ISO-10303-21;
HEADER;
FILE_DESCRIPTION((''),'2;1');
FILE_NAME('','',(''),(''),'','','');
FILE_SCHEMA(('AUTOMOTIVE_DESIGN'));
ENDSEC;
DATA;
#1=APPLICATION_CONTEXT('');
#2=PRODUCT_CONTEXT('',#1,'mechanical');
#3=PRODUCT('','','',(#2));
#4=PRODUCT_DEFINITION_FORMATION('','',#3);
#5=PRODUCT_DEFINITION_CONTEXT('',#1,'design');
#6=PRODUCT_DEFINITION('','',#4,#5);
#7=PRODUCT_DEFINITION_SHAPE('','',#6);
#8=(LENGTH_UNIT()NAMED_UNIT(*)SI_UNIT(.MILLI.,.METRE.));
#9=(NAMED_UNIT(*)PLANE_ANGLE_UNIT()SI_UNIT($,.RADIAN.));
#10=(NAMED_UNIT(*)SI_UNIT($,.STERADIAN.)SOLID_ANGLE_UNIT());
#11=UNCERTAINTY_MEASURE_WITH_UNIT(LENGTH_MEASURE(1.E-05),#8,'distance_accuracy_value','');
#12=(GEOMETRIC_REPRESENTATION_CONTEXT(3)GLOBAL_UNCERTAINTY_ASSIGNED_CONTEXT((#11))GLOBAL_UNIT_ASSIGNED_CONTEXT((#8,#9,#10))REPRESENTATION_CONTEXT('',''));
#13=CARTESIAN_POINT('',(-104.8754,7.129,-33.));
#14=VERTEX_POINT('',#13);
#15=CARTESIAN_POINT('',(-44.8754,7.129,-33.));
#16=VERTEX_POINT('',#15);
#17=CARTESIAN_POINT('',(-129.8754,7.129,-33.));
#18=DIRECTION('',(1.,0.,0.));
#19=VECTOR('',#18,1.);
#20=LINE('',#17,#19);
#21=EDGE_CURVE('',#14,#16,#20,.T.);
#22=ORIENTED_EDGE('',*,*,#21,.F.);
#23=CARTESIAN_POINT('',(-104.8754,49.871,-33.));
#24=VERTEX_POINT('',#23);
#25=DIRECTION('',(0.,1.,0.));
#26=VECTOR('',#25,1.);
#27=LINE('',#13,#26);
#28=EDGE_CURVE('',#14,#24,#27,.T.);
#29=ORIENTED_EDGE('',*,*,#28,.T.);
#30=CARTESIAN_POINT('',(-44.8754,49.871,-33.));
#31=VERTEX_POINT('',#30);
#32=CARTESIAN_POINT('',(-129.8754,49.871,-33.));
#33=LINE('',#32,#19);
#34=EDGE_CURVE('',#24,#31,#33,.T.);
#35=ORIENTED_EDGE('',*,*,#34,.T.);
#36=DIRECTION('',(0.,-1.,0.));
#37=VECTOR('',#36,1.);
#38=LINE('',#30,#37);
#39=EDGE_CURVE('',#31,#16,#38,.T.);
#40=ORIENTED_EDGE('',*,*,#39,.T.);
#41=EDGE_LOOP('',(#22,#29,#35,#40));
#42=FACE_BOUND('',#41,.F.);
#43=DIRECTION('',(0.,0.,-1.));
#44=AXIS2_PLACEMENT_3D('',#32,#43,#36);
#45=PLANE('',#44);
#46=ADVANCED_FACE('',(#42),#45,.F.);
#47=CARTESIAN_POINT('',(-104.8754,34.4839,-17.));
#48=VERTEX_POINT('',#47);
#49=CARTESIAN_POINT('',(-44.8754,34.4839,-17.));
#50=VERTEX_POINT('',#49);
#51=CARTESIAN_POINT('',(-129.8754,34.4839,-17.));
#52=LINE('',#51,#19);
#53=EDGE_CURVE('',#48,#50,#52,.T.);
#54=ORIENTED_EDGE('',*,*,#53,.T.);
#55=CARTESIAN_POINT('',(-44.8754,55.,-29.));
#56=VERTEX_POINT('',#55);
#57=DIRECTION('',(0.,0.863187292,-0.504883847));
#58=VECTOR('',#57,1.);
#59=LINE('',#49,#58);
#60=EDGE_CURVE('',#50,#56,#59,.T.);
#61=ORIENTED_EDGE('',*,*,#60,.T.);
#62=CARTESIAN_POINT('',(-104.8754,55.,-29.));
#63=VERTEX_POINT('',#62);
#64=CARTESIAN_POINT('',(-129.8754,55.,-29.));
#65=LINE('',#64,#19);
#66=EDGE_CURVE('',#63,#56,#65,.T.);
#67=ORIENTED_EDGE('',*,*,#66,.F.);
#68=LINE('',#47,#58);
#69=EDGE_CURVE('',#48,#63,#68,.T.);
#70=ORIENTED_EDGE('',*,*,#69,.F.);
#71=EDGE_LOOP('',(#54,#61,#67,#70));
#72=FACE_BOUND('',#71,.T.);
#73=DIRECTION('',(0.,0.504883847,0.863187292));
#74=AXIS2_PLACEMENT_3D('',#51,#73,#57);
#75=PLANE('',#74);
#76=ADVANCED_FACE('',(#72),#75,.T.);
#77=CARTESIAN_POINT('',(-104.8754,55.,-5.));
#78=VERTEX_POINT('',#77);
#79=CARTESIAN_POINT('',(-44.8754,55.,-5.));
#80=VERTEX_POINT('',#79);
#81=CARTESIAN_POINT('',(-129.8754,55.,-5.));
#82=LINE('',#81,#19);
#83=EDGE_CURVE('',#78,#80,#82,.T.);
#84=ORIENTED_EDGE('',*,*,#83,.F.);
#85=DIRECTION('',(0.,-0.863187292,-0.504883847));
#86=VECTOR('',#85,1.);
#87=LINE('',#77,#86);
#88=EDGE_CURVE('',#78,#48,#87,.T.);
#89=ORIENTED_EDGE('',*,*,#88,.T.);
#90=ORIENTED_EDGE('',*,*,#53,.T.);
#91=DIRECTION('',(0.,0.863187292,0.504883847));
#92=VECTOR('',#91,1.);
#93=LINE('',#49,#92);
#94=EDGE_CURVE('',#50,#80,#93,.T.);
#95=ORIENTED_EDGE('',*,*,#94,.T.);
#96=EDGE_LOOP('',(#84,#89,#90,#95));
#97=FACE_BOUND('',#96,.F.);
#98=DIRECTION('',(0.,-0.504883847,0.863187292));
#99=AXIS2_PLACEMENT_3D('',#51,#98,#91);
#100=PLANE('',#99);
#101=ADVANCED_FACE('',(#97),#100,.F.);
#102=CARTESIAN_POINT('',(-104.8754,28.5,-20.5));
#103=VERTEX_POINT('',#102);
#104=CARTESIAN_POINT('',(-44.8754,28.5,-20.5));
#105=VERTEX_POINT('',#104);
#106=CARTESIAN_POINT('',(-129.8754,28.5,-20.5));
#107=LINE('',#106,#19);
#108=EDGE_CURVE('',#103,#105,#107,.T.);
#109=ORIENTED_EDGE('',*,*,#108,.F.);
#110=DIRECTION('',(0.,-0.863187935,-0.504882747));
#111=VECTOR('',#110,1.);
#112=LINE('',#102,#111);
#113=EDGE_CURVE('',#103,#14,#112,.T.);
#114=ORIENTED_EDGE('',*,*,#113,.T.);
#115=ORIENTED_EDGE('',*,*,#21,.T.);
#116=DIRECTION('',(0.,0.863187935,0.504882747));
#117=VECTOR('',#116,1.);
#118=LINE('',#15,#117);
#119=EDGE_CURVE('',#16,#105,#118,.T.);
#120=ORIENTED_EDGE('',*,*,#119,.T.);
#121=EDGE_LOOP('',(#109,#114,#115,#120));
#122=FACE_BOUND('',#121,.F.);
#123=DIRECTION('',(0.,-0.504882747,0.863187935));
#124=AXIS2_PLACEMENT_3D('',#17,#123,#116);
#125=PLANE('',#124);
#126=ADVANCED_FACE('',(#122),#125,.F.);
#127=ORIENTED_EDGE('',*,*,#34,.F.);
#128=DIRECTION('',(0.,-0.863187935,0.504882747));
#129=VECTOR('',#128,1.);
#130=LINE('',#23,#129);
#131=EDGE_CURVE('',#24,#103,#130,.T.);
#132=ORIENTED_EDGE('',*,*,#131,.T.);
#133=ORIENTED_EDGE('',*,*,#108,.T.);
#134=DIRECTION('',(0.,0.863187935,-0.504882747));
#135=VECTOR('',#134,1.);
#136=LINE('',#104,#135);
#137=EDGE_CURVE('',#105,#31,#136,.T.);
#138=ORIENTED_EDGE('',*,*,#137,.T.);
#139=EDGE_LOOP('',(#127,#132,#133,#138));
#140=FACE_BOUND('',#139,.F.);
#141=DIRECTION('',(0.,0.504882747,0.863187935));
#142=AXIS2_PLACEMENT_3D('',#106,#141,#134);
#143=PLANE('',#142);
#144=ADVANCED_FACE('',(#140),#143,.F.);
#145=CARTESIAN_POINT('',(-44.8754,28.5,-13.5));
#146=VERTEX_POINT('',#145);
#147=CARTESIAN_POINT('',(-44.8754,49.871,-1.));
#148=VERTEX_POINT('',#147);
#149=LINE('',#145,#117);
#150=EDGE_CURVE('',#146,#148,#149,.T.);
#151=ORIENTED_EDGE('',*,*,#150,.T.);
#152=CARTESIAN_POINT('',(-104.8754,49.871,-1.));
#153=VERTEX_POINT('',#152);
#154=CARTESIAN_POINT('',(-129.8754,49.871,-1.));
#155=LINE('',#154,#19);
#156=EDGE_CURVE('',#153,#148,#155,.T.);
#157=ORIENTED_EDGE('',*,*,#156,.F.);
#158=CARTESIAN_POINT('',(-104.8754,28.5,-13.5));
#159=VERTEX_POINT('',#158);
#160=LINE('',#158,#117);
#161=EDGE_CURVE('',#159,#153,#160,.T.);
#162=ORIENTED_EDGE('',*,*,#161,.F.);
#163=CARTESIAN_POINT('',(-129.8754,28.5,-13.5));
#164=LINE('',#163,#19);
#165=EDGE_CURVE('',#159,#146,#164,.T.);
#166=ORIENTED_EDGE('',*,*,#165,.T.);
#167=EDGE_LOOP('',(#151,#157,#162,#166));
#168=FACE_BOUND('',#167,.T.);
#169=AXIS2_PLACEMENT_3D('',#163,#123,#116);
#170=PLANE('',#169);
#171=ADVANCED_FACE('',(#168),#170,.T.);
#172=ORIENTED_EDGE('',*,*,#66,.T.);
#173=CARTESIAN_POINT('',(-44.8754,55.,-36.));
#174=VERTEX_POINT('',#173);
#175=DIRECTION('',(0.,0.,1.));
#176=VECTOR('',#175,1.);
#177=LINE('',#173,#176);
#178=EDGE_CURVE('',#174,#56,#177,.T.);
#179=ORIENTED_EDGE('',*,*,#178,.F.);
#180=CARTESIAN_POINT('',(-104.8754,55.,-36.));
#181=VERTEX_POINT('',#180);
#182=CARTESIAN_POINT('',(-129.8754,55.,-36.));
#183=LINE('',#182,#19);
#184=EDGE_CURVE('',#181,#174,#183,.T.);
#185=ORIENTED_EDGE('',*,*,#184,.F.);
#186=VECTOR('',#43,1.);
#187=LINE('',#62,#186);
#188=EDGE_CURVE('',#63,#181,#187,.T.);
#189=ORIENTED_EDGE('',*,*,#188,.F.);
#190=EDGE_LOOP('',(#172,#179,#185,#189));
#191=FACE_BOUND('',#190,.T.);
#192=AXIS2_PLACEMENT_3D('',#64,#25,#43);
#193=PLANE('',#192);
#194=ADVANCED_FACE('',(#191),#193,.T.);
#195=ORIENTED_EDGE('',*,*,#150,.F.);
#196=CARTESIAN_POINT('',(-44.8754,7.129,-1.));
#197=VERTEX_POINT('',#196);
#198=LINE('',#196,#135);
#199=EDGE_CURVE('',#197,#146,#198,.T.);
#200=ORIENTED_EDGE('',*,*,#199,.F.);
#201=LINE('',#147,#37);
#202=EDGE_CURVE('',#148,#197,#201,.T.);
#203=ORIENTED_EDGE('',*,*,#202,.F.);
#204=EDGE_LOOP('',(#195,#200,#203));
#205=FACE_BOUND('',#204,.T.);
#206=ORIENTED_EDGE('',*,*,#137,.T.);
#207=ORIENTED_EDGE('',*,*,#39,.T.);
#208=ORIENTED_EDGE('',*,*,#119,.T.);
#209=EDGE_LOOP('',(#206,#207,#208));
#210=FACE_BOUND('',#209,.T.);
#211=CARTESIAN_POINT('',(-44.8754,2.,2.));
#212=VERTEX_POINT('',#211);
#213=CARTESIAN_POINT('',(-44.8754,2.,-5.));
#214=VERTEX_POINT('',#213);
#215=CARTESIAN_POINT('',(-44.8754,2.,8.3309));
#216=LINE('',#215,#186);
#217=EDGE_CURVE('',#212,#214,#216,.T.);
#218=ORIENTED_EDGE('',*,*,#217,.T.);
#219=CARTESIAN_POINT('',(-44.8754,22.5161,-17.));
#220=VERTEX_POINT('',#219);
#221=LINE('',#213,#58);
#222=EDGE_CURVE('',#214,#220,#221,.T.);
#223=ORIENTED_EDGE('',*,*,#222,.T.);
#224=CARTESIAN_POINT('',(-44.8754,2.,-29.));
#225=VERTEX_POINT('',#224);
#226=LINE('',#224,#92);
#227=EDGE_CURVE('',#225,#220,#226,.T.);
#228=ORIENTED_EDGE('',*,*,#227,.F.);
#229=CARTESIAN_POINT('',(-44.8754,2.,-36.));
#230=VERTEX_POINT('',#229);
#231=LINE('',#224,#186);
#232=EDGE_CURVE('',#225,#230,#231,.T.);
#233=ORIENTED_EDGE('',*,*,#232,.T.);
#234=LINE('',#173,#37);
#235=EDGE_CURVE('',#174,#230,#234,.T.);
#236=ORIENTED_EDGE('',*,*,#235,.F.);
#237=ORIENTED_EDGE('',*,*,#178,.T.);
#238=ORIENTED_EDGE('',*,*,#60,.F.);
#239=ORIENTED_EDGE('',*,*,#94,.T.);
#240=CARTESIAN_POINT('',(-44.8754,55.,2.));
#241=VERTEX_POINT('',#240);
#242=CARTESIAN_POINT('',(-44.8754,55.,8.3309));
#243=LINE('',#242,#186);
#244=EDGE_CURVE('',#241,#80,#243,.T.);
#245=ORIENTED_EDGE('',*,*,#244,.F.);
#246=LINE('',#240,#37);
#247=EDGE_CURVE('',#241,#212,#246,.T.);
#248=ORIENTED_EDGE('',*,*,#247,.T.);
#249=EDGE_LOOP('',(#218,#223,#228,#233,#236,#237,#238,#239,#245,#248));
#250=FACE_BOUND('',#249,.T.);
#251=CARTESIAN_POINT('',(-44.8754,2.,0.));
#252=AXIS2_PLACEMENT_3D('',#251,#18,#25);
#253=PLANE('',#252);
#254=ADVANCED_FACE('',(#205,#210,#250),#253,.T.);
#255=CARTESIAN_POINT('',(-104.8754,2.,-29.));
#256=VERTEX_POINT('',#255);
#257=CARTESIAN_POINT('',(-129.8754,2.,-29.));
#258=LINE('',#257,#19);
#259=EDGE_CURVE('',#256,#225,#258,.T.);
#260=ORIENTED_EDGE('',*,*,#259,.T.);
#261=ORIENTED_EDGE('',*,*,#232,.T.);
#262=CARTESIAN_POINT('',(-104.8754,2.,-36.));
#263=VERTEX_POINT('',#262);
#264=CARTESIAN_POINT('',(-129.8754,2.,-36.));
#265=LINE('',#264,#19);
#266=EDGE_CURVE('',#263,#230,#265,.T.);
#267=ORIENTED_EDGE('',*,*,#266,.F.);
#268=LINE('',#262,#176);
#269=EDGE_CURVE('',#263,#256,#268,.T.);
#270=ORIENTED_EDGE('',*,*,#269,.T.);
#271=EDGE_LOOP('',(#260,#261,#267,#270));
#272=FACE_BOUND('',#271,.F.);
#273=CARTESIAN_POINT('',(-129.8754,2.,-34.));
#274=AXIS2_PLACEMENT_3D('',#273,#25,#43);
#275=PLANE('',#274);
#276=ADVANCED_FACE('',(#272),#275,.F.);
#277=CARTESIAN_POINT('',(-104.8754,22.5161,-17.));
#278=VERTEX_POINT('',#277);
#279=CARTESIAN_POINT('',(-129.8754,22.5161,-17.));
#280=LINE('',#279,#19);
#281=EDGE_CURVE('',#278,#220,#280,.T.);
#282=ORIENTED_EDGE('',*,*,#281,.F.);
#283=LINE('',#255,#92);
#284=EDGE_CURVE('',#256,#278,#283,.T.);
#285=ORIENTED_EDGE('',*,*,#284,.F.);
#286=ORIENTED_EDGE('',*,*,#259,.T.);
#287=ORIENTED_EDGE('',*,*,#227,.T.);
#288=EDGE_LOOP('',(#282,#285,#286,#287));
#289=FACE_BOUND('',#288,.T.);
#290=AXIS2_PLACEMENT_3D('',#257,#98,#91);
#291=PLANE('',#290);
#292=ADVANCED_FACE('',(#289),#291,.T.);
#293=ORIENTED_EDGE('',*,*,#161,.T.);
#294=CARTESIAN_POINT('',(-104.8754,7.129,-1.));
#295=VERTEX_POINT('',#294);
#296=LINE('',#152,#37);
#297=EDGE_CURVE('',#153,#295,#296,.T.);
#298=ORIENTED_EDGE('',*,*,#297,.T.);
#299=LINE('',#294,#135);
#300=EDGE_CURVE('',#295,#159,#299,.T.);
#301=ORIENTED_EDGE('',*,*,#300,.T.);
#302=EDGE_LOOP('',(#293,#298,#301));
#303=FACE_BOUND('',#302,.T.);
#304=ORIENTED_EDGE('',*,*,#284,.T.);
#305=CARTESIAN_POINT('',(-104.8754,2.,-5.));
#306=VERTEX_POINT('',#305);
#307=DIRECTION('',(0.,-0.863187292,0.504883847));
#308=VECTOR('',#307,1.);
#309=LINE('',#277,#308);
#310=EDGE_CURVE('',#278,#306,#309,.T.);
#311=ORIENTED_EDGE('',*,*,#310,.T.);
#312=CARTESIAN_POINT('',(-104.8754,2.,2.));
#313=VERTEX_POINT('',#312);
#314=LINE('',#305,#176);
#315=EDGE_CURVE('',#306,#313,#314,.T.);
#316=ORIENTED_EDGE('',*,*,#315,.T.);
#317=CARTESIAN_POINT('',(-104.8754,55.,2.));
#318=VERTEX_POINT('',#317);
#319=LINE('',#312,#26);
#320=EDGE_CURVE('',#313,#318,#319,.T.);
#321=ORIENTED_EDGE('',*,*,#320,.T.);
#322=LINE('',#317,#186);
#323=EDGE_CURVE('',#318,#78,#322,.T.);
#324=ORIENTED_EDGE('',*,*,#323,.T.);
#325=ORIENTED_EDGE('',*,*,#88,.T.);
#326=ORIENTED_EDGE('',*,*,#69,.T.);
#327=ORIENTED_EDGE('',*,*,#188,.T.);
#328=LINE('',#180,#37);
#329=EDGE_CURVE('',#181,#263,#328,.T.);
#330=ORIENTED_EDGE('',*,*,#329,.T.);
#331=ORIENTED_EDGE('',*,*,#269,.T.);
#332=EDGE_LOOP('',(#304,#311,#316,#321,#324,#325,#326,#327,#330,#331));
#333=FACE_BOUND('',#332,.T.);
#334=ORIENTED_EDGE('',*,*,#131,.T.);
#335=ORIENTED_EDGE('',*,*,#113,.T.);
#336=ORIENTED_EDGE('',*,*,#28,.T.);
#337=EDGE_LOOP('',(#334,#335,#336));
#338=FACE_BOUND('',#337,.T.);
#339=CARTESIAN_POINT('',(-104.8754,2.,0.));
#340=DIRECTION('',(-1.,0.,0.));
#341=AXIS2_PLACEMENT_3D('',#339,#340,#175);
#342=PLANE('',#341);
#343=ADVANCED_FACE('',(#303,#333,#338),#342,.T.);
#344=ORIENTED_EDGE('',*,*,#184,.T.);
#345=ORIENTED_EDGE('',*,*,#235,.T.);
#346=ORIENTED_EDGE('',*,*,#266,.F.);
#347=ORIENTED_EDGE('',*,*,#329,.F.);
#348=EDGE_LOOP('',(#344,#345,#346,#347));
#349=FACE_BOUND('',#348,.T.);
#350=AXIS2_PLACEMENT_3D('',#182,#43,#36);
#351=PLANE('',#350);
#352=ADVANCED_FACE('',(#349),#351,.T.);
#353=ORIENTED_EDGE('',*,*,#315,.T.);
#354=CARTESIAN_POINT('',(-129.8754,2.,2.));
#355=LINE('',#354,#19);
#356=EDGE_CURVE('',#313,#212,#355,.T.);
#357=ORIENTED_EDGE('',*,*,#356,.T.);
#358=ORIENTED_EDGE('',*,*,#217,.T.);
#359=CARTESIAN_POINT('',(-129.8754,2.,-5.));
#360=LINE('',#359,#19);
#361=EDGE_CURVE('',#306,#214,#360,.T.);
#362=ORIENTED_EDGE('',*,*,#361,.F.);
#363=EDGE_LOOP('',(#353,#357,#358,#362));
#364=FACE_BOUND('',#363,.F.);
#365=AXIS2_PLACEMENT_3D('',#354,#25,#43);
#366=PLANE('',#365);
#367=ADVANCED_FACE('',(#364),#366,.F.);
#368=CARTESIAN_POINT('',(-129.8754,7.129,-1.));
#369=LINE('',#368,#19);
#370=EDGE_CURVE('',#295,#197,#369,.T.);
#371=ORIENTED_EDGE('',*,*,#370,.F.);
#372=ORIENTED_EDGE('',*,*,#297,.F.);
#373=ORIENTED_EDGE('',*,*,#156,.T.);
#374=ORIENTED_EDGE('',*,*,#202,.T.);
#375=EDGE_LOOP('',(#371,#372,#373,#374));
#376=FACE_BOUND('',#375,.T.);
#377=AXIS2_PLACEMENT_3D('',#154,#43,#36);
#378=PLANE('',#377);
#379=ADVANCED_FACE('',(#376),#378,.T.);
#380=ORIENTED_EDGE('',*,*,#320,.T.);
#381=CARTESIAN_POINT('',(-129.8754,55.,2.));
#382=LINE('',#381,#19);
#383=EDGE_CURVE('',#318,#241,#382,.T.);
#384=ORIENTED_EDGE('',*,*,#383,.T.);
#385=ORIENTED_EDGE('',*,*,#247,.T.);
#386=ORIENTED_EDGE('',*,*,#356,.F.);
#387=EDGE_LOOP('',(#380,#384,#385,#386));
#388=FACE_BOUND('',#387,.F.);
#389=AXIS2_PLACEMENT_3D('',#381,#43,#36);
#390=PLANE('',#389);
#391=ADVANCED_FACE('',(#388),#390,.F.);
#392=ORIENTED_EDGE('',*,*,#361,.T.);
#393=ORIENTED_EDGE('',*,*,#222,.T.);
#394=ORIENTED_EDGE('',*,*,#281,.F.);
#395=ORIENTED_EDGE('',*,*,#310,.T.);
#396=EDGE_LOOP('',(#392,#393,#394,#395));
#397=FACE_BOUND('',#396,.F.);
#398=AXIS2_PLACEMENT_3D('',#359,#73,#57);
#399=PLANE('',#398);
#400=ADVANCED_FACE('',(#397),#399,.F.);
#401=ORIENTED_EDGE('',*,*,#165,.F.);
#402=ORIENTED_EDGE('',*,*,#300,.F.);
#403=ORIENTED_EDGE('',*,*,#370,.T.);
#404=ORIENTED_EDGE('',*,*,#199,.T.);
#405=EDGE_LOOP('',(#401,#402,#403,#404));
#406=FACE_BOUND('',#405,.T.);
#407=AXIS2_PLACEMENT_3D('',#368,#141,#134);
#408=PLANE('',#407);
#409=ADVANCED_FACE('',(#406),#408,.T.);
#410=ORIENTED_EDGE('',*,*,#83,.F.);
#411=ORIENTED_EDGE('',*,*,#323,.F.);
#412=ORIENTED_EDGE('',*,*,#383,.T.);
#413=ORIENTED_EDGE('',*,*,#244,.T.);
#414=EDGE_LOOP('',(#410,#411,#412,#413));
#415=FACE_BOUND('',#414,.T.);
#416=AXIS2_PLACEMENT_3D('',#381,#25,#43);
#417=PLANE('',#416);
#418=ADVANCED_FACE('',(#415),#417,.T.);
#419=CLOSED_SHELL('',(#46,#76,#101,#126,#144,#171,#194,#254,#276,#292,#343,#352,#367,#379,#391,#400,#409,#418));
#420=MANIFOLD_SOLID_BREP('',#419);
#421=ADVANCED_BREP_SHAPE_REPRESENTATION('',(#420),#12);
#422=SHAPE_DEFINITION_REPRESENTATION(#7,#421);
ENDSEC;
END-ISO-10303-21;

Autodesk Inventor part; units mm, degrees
ref_plane "YZ Plane" through (0, 0, 0) normal (1, 0, 0) x (0, 1, 0)
ref_plane "XZ Plane" through (0, 0, 0) normal (0, 1, 0) x (-1, 0, 0)
ref_plane "XY Plane" through (0, 0, 0) normal (0, 0, 1) x (1, 0, 0)
ref_plane "Work Plane1" through (32.4858, 0, 0) normal (0, 0, 1) x (1, 0, 0)
sketch "Sketch1" plane through (32.4858, 0, 0) normal (0, 0, 1) x (1, 0, 0)
  line L0 (-82.3611, -0.4) -> (-82.3611, 2.4)
  line L1 (-32.4858, 2) -> (-181.2976, 2)
  line L2 (-32.4858, 55) -> (-181.2976, 55)
  line L3 (-82.3611, 54.6) -> (-82.3611, 57.4)
  line L4 (-157.3611, 54.6) -> (-157.3611, 57.4)
  line L5 (-157.3611, -0.4) -> (-157.3611, 2.4)
  line L6 (-107.3611, -0.4) -> (-107.3611, 2.4)
  line L7 (-132.3611, -0.4) -> (-132.3611, 2.4)
  line L8 (-107.3611, 54.6) -> (-107.3611, 57.4)
  line L9 (-132.3611, 54.6) -> (-132.3611, 57.4)
  line L10 (-32.4858, 0) -> (-181.2976, 0) projected
  line L11 (-32.4858, 57) -> (-181.2976, 57) projected
  line L12 (-82.3611, 2) -> (-82.3611, 55) construction
  line L13 (-157.3611, 2) -> (-157.3611, 55) construction
  line L14 (-77.3611, 2) -> (-77.3611, 55)
  line L15 (-162.3611, 2) -> (-162.3611, 55)
  dimension "d0" = 5
  dimension "d1" = 5
ref_plane "Work Plane3" through (-129.8754, 2, 0) normal (1, 0, 0) x (0, 1, 0)
ref_plane "Work Plane2" through (1.0604, 0, 0) normal (0, 0, 1) x (-1, 0, 0)
sketch "Sketch2" plane through (-129.8754, 2, 0) normal (1, 0, 0) x (0, 1, 0)
  line L0 (0, 8.3309) -> (0, -17.2762) projected
  line L1 (53, 8.3309) -> (53, -17.2762) projected
  line L2 (53, -34) -> (55, -34) projected
  line L3 (53, -34) -> (55, -34) projected
  line L4 (-2, -34) -> (0, -34) projected
  line L5 (-2, -34) -> (0, -34) projected
  line L6 (53, -34) -> (0, -34) construction
  line L7 (53, -36) -> (0, -36)
  line L8 (0, 0) -> (53, 0) construction
  line L9 (0, 0) -> (0, -8) construction
  line L10 (53, 0) -> (53, -8) construction
  line L11 (47.871, -33) -> (5.129, -33)
  line L12 (53, -29) -> (0, -29) construction
  line L13 (53, 2) -> (0, 2)
  line L14 (47.871, -1) -> (5.129, -1)
  line L15 (53, -5) -> (0, -5) construction
  line L16 (5.129, -33) -> (26.5, -20.5)
  line L17 (32.4839, -17) -> (53, -5)
  line L18 (5.129, -1) -> (26.5, -13.5)
  line L19 (32.4839, -17) -> (53, -29)
  line L20 (0, -29) -> (20.5161, -17)
  line L21 (26.5, -13.5) -> (47.871, -1)
  line L22 (0, -5) -> (20.5161, -17)
  line L23 (26.5, -20.5) -> (47.871, -33)
  line L24 (53, 2) -> (53, -5)
  line L25 (0, 2) -> (0, -5)
  line L26 (0, -29) -> (0, -36)
  line L27 (53, -29) -> (53, -36)
  point P0 (-2, 0)
  dimension "d20" = 2
  dimension "d37" = 1
  dimension "d38" = 4
  dimension "d39" = 2
  dimension "d40" = 1
  dimension "d41" = 4
extrude "Extrusion2" add sketch "Sketch2" along normal blind 85
sketch "Sketch3" plane through (-129.8754, 55, -29) normal (0, 1, 0) x (1, 0, 0)
  line L0 (0, -12) -> (85, -12) projected
  point P0 (129.8754, -29)
sketch "Sketch4" plane through (-129.8754, 2, 0) normal (-1, 0, 0) x (0, 0, 1)
  line L0 (-13.5, 26.5) -> (-1, 47.871) projected
  line L1 (-1, 47.871) -> (-1, 5.129) projected
  line L2 (-1, 5.129) -> (-13.5, 26.5) projected
  line L3 (-20.5, 26.5) -> (-33, 5.129) projected
  line L4 (-33, 5.129) -> (-33, 47.871) projected
  line L5 (-33, 47.871) -> (-20.5, 26.5) projected
  line L6 (-36, 53) -> (-36, 0) projected
  line L7 (-36, 0) -> (-29, 0) projected
  line L8 (-29, 0) -> (-17, 20.5161) projected
  line L9 (-17, 20.5161) -> (-5, 0) projected
  line L10 (-5, 0) -> (2, 0) projected
  line L11 (2, 0) -> (2, 53) projected
  line L12 (2, 53) -> (-5, 53) projected
  line L13 (-5, 53) -> (-17, 32.4839) projected
  line L14 (-17, 32.4839) -> (-29, 53) projected
  line L15 (-29, 53) -> (-36, 53) projected
  point P0 (0, -2)
extrude "Extrusion3" cut sketch "Sketch4" against normal blind 25
properties part number "legspacer_paula"
